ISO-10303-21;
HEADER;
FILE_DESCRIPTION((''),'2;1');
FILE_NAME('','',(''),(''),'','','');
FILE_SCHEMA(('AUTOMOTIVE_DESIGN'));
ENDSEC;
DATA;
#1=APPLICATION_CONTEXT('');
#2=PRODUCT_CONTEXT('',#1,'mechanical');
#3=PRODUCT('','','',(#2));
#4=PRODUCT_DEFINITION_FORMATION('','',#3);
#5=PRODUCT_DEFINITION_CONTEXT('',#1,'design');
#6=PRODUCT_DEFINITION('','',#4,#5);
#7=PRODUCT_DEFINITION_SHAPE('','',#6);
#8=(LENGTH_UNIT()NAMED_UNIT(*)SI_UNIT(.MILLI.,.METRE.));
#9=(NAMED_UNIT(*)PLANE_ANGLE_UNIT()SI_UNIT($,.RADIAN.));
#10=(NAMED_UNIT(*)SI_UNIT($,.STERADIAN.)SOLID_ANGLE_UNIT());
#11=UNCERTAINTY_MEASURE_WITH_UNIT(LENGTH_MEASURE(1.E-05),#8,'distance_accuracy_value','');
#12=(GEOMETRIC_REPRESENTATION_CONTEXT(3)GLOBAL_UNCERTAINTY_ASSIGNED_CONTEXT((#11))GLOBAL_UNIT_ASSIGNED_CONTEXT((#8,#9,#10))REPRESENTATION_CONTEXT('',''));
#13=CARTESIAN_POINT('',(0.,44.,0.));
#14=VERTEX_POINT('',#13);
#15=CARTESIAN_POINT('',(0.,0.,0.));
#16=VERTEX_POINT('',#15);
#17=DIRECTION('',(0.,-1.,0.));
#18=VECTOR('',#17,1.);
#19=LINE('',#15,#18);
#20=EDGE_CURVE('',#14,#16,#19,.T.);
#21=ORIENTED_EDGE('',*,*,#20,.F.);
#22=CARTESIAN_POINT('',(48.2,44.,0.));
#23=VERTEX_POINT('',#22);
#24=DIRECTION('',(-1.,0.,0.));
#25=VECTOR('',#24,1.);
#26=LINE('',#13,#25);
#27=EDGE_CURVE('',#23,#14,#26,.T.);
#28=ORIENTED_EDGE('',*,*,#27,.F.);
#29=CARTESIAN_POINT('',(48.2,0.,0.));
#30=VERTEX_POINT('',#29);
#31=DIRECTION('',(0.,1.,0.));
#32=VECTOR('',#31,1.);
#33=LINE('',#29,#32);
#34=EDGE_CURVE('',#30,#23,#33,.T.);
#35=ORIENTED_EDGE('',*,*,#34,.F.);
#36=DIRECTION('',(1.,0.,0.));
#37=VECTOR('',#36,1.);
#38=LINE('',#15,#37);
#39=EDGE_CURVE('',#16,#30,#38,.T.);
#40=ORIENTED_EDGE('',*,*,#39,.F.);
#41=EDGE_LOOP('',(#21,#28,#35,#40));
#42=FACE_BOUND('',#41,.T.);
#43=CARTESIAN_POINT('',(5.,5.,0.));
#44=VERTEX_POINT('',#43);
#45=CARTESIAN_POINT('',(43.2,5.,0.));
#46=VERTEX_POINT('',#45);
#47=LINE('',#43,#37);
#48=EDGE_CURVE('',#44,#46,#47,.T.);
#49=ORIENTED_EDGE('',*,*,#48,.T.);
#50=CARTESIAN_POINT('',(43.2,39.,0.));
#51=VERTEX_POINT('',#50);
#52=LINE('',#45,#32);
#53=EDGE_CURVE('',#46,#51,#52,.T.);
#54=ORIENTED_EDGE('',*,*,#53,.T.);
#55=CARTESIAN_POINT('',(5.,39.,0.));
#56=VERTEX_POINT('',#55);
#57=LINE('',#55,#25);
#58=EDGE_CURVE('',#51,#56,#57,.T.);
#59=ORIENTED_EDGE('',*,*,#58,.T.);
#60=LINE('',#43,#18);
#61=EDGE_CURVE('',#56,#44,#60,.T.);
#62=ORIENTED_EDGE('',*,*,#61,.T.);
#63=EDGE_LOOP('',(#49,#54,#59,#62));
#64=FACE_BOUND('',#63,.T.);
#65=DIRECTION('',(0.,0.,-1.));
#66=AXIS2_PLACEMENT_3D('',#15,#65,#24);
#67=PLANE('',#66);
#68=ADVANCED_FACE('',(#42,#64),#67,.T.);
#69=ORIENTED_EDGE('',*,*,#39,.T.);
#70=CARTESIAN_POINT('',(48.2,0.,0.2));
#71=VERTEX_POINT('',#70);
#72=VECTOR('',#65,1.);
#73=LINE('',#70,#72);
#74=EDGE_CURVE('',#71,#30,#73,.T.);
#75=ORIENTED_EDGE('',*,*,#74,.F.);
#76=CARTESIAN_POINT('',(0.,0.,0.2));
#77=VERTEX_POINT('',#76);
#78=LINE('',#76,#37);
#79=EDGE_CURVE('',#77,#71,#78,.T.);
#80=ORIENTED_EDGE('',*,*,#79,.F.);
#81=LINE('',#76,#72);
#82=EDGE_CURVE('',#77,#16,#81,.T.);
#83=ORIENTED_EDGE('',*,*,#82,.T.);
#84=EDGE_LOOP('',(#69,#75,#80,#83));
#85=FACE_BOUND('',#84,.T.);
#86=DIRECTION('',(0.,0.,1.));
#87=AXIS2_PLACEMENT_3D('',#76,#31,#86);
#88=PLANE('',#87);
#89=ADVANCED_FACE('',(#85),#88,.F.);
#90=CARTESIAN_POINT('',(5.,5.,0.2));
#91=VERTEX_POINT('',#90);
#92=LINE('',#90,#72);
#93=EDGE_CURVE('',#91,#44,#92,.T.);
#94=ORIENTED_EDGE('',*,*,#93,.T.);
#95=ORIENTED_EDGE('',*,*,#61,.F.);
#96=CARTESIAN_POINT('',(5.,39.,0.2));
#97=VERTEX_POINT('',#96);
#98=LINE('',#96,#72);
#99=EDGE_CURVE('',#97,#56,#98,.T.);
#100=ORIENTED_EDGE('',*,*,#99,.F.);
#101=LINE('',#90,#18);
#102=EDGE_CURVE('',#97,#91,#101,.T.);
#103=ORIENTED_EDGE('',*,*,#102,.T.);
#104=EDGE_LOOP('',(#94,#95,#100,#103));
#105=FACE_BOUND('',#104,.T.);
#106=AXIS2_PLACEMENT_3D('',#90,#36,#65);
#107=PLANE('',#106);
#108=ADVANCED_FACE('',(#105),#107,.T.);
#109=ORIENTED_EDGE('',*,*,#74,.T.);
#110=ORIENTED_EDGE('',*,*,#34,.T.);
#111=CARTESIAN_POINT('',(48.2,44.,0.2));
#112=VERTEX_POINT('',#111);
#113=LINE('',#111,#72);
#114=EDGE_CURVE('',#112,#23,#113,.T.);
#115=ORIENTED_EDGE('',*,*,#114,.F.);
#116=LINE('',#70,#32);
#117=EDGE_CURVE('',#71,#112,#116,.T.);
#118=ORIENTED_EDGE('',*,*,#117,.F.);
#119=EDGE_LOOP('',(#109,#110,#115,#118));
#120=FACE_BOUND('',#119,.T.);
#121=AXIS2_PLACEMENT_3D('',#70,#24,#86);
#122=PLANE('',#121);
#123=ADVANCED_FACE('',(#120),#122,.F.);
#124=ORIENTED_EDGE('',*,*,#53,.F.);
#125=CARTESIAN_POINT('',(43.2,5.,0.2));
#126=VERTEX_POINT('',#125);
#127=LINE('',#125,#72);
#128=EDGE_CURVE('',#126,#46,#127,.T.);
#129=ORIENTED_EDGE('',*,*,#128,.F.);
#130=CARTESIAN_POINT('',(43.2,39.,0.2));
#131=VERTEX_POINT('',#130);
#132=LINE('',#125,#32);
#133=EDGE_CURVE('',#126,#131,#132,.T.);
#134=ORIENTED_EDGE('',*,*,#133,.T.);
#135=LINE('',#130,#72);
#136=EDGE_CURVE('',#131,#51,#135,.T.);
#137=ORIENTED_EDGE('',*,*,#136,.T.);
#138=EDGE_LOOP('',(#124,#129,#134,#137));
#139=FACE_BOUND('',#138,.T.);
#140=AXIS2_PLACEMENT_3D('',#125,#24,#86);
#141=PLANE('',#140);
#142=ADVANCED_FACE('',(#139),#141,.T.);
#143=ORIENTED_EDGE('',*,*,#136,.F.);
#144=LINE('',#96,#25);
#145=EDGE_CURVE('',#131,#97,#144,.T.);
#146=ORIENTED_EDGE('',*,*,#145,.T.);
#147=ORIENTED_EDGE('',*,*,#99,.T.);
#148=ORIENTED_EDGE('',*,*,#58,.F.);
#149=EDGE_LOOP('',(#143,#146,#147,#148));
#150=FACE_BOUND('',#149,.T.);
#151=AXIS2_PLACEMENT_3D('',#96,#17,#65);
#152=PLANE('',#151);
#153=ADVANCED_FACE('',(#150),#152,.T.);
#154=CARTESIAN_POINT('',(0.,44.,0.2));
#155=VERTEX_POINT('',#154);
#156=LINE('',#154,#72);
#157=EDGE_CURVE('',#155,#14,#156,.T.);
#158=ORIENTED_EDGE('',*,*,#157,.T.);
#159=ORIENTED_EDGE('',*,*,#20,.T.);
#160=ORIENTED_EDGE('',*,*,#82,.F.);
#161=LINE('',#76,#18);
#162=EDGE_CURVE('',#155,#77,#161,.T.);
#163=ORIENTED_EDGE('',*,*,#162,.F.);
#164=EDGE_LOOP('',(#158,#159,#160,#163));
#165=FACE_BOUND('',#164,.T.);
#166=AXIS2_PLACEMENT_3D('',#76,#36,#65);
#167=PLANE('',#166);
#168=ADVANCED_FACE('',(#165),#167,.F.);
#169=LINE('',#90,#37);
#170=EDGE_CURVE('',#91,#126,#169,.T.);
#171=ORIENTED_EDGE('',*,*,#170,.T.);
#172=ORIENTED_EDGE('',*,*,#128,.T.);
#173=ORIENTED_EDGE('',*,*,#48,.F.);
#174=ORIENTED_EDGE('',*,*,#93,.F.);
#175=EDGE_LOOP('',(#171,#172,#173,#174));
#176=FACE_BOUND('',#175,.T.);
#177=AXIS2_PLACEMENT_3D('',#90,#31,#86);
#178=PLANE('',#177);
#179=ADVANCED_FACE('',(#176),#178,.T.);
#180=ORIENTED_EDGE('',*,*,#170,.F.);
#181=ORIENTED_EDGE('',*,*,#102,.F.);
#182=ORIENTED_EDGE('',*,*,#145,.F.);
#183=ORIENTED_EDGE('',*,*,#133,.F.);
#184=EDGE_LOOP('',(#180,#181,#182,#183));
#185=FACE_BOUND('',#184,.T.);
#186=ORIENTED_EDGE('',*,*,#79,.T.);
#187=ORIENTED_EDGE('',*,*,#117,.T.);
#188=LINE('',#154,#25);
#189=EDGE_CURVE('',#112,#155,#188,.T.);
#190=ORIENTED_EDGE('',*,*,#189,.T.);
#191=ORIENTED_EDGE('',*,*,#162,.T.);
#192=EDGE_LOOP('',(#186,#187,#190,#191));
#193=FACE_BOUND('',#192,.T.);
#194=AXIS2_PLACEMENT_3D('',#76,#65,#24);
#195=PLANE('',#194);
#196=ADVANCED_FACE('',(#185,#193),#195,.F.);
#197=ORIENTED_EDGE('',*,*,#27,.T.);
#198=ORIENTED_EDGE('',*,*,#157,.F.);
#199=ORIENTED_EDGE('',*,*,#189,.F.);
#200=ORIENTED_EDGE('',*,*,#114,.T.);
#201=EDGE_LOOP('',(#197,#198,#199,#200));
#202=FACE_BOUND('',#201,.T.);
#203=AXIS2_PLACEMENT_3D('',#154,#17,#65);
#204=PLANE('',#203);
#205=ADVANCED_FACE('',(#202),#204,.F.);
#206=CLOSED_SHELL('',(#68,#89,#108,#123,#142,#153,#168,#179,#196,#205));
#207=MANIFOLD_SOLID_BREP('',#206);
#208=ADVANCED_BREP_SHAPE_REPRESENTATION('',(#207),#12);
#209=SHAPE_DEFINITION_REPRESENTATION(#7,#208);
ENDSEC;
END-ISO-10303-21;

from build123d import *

# Parameters (mm, degrees)
SKETCH_1_W      = 48.2
SKETCH_1_H      = 44
SKETCH_1_W_2    = 38.2
SKETCH_1_H_2    = 34
EXTRUDE_1_DEPTH = 0.2


with BuildPart() as part:
    # 스케치1 → 보스-돌출1 (new body)
    with BuildSketch(Plane.XY):
        with Locations((24.1, 22)):
            Rectangle(SKETCH_1_W, SKETCH_1_H)
        with Locations((24.1, 22)):
            Rectangle(SKETCH_1_W_2, SKETCH_1_H_2, mode=Mode.SUBTRACT)
    extrude(amount=EXTRUDE_1_DEPTH)


solid = part.part
